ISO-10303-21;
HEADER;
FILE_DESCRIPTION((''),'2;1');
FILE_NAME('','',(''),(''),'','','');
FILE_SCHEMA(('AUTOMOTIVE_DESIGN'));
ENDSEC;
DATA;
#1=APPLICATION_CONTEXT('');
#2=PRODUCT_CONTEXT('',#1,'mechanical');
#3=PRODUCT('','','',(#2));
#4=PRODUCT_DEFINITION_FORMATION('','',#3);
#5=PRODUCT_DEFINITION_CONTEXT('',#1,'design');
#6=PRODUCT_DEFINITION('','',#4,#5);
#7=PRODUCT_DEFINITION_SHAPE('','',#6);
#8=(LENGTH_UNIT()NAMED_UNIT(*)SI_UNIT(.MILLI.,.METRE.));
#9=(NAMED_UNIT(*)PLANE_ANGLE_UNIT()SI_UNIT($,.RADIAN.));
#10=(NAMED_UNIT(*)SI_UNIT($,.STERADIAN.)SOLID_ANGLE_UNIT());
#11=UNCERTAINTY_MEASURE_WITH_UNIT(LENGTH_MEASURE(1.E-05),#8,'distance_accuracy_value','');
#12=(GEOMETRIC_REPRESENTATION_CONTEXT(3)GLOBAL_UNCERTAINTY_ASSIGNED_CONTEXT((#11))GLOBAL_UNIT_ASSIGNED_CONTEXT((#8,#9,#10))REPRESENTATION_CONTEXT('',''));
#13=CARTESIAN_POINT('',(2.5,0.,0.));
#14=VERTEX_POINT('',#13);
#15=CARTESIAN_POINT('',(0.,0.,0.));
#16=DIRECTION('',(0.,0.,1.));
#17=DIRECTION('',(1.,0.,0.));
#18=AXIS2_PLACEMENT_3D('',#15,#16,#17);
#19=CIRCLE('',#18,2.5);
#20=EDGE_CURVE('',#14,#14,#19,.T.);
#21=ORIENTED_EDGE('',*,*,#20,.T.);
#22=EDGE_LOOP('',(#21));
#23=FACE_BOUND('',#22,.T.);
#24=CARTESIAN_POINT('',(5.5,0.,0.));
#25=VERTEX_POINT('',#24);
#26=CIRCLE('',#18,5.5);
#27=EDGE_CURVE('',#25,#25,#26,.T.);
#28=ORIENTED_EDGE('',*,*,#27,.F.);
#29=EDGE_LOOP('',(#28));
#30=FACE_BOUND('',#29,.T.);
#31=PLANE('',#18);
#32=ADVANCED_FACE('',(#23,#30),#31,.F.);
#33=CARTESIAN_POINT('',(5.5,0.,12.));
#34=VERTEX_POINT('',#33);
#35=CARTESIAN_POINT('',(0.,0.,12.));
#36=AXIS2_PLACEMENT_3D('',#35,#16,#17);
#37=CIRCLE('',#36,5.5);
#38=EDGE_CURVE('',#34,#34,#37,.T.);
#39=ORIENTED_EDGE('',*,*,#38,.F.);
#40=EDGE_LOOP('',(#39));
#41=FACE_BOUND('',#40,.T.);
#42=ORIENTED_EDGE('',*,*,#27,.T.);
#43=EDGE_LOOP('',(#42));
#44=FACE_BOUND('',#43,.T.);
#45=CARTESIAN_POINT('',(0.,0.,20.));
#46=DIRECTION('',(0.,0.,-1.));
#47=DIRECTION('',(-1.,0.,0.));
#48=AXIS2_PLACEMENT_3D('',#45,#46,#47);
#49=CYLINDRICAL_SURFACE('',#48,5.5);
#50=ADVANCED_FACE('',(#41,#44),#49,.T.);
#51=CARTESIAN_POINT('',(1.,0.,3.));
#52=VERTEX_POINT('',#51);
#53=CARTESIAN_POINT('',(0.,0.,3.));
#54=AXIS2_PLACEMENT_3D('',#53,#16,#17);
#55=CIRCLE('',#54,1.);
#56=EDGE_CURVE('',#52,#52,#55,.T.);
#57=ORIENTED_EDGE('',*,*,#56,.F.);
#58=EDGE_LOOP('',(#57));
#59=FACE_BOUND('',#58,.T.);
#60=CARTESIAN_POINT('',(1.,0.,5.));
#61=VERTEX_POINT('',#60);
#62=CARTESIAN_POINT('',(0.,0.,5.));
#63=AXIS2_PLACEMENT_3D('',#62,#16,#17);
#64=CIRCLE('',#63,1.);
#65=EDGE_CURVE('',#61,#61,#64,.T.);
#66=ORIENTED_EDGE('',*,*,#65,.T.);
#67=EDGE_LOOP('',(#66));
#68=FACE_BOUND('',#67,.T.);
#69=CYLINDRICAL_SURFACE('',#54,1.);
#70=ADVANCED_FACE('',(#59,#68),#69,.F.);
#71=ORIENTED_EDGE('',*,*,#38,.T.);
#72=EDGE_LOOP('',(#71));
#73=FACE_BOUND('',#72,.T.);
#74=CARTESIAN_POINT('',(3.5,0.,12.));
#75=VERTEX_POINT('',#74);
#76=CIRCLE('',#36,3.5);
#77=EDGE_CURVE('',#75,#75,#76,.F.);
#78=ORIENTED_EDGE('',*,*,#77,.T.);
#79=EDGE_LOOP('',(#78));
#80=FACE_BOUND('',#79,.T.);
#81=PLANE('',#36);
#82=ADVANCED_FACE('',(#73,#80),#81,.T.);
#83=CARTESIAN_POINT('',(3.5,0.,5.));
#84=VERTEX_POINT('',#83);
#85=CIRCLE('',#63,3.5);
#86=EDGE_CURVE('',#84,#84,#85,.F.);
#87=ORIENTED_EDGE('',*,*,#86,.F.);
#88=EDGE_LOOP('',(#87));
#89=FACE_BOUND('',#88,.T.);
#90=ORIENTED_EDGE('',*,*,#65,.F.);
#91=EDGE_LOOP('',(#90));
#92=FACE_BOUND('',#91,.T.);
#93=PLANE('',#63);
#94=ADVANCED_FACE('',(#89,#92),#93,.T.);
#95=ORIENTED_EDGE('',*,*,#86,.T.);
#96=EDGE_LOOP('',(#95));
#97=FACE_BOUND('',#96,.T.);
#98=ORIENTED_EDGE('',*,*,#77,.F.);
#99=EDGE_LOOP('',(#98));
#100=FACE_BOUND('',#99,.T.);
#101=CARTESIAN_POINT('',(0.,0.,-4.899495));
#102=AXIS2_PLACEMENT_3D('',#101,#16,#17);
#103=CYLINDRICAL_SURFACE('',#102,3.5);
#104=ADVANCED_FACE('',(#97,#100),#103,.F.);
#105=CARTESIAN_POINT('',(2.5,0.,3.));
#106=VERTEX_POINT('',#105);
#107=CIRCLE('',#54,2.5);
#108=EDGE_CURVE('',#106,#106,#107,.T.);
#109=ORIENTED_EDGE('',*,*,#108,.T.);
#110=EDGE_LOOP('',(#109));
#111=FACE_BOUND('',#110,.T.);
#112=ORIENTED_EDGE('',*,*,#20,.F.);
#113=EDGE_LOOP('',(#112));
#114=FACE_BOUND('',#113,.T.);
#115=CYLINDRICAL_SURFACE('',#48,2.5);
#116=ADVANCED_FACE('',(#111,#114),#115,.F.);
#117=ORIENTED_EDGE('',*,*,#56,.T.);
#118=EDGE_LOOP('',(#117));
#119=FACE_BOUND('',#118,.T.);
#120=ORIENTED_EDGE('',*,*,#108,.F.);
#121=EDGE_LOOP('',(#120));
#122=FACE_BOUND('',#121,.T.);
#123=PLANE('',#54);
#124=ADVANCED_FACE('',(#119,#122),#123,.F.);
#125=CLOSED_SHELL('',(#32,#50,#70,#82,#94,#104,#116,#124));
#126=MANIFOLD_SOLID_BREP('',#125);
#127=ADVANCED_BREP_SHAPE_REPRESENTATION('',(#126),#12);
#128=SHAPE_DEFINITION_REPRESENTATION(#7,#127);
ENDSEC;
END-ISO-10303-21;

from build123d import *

# Parameters (mm, degrees)
SKETCH1_R           = 5.5
SKETCH1_R_2         = 2.5
BOSS_EXTRUDE1_DEPTH = 20
BOSS_EXTRUDE2_START = -17
SKETCH2_R           = 2.5
BOSS_EXTRUDE2_DEPTH = 2
SKETCH3_R           = 1
CUT_EXTRUDE1_DEPTH  = 2
SKETCH4_R           = 3.5
CUT_EXTRUDE3_DEPTH  = 15
SKETCH5_R           = 6.684025948
CUT_EXTRUDE4_DEPTH  = 8


with BuildPart() as part:
    # Sketch1 → Boss-Extrude1 (new body)
    with BuildSketch(Plane.XY):
        Circle(SKETCH1_R)
        Circle(SKETCH1_R_2, mode=Mode.SUBTRACT)
    extrude(amount=BOSS_EXTRUDE1_DEPTH)

    # Sketch2 → Boss-Extrude2 (add)
    with BuildSketch(Plane.XY.offset(20).offset(BOSS_EXTRUDE2_START)):
        Circle(SKETCH2_R)
    extrude(amount=BOSS_EXTRUDE2_DEPTH)

    # Sketch3 → Cut-Extrude1 (cut)
    with BuildSketch(Plane.XY.offset(5)):
        Circle(SKETCH3_R)
    extrude(amount=-CUT_EXTRUDE1_DEPTH, mode=Mode.SUBTRACT)

    # Sketch4 → Cut-Extrude3 (cut)
    with BuildSketch(Plane.XY.offset(20)):
        Circle(SKETCH4_R)
    extrude(amount=-CUT_EXTRUDE3_DEPTH, mode=Mode.SUBTRACT)

    # Sketch5 → Cut-Extrude4 (cut)
    with BuildSketch(Plane.XY.offset(20)):
        Circle(SKETCH5_R)
    extrude(amount=-CUT_EXTRUDE4_DEPTH, mode=Mode.SUBTRACT)


solid = part.part
